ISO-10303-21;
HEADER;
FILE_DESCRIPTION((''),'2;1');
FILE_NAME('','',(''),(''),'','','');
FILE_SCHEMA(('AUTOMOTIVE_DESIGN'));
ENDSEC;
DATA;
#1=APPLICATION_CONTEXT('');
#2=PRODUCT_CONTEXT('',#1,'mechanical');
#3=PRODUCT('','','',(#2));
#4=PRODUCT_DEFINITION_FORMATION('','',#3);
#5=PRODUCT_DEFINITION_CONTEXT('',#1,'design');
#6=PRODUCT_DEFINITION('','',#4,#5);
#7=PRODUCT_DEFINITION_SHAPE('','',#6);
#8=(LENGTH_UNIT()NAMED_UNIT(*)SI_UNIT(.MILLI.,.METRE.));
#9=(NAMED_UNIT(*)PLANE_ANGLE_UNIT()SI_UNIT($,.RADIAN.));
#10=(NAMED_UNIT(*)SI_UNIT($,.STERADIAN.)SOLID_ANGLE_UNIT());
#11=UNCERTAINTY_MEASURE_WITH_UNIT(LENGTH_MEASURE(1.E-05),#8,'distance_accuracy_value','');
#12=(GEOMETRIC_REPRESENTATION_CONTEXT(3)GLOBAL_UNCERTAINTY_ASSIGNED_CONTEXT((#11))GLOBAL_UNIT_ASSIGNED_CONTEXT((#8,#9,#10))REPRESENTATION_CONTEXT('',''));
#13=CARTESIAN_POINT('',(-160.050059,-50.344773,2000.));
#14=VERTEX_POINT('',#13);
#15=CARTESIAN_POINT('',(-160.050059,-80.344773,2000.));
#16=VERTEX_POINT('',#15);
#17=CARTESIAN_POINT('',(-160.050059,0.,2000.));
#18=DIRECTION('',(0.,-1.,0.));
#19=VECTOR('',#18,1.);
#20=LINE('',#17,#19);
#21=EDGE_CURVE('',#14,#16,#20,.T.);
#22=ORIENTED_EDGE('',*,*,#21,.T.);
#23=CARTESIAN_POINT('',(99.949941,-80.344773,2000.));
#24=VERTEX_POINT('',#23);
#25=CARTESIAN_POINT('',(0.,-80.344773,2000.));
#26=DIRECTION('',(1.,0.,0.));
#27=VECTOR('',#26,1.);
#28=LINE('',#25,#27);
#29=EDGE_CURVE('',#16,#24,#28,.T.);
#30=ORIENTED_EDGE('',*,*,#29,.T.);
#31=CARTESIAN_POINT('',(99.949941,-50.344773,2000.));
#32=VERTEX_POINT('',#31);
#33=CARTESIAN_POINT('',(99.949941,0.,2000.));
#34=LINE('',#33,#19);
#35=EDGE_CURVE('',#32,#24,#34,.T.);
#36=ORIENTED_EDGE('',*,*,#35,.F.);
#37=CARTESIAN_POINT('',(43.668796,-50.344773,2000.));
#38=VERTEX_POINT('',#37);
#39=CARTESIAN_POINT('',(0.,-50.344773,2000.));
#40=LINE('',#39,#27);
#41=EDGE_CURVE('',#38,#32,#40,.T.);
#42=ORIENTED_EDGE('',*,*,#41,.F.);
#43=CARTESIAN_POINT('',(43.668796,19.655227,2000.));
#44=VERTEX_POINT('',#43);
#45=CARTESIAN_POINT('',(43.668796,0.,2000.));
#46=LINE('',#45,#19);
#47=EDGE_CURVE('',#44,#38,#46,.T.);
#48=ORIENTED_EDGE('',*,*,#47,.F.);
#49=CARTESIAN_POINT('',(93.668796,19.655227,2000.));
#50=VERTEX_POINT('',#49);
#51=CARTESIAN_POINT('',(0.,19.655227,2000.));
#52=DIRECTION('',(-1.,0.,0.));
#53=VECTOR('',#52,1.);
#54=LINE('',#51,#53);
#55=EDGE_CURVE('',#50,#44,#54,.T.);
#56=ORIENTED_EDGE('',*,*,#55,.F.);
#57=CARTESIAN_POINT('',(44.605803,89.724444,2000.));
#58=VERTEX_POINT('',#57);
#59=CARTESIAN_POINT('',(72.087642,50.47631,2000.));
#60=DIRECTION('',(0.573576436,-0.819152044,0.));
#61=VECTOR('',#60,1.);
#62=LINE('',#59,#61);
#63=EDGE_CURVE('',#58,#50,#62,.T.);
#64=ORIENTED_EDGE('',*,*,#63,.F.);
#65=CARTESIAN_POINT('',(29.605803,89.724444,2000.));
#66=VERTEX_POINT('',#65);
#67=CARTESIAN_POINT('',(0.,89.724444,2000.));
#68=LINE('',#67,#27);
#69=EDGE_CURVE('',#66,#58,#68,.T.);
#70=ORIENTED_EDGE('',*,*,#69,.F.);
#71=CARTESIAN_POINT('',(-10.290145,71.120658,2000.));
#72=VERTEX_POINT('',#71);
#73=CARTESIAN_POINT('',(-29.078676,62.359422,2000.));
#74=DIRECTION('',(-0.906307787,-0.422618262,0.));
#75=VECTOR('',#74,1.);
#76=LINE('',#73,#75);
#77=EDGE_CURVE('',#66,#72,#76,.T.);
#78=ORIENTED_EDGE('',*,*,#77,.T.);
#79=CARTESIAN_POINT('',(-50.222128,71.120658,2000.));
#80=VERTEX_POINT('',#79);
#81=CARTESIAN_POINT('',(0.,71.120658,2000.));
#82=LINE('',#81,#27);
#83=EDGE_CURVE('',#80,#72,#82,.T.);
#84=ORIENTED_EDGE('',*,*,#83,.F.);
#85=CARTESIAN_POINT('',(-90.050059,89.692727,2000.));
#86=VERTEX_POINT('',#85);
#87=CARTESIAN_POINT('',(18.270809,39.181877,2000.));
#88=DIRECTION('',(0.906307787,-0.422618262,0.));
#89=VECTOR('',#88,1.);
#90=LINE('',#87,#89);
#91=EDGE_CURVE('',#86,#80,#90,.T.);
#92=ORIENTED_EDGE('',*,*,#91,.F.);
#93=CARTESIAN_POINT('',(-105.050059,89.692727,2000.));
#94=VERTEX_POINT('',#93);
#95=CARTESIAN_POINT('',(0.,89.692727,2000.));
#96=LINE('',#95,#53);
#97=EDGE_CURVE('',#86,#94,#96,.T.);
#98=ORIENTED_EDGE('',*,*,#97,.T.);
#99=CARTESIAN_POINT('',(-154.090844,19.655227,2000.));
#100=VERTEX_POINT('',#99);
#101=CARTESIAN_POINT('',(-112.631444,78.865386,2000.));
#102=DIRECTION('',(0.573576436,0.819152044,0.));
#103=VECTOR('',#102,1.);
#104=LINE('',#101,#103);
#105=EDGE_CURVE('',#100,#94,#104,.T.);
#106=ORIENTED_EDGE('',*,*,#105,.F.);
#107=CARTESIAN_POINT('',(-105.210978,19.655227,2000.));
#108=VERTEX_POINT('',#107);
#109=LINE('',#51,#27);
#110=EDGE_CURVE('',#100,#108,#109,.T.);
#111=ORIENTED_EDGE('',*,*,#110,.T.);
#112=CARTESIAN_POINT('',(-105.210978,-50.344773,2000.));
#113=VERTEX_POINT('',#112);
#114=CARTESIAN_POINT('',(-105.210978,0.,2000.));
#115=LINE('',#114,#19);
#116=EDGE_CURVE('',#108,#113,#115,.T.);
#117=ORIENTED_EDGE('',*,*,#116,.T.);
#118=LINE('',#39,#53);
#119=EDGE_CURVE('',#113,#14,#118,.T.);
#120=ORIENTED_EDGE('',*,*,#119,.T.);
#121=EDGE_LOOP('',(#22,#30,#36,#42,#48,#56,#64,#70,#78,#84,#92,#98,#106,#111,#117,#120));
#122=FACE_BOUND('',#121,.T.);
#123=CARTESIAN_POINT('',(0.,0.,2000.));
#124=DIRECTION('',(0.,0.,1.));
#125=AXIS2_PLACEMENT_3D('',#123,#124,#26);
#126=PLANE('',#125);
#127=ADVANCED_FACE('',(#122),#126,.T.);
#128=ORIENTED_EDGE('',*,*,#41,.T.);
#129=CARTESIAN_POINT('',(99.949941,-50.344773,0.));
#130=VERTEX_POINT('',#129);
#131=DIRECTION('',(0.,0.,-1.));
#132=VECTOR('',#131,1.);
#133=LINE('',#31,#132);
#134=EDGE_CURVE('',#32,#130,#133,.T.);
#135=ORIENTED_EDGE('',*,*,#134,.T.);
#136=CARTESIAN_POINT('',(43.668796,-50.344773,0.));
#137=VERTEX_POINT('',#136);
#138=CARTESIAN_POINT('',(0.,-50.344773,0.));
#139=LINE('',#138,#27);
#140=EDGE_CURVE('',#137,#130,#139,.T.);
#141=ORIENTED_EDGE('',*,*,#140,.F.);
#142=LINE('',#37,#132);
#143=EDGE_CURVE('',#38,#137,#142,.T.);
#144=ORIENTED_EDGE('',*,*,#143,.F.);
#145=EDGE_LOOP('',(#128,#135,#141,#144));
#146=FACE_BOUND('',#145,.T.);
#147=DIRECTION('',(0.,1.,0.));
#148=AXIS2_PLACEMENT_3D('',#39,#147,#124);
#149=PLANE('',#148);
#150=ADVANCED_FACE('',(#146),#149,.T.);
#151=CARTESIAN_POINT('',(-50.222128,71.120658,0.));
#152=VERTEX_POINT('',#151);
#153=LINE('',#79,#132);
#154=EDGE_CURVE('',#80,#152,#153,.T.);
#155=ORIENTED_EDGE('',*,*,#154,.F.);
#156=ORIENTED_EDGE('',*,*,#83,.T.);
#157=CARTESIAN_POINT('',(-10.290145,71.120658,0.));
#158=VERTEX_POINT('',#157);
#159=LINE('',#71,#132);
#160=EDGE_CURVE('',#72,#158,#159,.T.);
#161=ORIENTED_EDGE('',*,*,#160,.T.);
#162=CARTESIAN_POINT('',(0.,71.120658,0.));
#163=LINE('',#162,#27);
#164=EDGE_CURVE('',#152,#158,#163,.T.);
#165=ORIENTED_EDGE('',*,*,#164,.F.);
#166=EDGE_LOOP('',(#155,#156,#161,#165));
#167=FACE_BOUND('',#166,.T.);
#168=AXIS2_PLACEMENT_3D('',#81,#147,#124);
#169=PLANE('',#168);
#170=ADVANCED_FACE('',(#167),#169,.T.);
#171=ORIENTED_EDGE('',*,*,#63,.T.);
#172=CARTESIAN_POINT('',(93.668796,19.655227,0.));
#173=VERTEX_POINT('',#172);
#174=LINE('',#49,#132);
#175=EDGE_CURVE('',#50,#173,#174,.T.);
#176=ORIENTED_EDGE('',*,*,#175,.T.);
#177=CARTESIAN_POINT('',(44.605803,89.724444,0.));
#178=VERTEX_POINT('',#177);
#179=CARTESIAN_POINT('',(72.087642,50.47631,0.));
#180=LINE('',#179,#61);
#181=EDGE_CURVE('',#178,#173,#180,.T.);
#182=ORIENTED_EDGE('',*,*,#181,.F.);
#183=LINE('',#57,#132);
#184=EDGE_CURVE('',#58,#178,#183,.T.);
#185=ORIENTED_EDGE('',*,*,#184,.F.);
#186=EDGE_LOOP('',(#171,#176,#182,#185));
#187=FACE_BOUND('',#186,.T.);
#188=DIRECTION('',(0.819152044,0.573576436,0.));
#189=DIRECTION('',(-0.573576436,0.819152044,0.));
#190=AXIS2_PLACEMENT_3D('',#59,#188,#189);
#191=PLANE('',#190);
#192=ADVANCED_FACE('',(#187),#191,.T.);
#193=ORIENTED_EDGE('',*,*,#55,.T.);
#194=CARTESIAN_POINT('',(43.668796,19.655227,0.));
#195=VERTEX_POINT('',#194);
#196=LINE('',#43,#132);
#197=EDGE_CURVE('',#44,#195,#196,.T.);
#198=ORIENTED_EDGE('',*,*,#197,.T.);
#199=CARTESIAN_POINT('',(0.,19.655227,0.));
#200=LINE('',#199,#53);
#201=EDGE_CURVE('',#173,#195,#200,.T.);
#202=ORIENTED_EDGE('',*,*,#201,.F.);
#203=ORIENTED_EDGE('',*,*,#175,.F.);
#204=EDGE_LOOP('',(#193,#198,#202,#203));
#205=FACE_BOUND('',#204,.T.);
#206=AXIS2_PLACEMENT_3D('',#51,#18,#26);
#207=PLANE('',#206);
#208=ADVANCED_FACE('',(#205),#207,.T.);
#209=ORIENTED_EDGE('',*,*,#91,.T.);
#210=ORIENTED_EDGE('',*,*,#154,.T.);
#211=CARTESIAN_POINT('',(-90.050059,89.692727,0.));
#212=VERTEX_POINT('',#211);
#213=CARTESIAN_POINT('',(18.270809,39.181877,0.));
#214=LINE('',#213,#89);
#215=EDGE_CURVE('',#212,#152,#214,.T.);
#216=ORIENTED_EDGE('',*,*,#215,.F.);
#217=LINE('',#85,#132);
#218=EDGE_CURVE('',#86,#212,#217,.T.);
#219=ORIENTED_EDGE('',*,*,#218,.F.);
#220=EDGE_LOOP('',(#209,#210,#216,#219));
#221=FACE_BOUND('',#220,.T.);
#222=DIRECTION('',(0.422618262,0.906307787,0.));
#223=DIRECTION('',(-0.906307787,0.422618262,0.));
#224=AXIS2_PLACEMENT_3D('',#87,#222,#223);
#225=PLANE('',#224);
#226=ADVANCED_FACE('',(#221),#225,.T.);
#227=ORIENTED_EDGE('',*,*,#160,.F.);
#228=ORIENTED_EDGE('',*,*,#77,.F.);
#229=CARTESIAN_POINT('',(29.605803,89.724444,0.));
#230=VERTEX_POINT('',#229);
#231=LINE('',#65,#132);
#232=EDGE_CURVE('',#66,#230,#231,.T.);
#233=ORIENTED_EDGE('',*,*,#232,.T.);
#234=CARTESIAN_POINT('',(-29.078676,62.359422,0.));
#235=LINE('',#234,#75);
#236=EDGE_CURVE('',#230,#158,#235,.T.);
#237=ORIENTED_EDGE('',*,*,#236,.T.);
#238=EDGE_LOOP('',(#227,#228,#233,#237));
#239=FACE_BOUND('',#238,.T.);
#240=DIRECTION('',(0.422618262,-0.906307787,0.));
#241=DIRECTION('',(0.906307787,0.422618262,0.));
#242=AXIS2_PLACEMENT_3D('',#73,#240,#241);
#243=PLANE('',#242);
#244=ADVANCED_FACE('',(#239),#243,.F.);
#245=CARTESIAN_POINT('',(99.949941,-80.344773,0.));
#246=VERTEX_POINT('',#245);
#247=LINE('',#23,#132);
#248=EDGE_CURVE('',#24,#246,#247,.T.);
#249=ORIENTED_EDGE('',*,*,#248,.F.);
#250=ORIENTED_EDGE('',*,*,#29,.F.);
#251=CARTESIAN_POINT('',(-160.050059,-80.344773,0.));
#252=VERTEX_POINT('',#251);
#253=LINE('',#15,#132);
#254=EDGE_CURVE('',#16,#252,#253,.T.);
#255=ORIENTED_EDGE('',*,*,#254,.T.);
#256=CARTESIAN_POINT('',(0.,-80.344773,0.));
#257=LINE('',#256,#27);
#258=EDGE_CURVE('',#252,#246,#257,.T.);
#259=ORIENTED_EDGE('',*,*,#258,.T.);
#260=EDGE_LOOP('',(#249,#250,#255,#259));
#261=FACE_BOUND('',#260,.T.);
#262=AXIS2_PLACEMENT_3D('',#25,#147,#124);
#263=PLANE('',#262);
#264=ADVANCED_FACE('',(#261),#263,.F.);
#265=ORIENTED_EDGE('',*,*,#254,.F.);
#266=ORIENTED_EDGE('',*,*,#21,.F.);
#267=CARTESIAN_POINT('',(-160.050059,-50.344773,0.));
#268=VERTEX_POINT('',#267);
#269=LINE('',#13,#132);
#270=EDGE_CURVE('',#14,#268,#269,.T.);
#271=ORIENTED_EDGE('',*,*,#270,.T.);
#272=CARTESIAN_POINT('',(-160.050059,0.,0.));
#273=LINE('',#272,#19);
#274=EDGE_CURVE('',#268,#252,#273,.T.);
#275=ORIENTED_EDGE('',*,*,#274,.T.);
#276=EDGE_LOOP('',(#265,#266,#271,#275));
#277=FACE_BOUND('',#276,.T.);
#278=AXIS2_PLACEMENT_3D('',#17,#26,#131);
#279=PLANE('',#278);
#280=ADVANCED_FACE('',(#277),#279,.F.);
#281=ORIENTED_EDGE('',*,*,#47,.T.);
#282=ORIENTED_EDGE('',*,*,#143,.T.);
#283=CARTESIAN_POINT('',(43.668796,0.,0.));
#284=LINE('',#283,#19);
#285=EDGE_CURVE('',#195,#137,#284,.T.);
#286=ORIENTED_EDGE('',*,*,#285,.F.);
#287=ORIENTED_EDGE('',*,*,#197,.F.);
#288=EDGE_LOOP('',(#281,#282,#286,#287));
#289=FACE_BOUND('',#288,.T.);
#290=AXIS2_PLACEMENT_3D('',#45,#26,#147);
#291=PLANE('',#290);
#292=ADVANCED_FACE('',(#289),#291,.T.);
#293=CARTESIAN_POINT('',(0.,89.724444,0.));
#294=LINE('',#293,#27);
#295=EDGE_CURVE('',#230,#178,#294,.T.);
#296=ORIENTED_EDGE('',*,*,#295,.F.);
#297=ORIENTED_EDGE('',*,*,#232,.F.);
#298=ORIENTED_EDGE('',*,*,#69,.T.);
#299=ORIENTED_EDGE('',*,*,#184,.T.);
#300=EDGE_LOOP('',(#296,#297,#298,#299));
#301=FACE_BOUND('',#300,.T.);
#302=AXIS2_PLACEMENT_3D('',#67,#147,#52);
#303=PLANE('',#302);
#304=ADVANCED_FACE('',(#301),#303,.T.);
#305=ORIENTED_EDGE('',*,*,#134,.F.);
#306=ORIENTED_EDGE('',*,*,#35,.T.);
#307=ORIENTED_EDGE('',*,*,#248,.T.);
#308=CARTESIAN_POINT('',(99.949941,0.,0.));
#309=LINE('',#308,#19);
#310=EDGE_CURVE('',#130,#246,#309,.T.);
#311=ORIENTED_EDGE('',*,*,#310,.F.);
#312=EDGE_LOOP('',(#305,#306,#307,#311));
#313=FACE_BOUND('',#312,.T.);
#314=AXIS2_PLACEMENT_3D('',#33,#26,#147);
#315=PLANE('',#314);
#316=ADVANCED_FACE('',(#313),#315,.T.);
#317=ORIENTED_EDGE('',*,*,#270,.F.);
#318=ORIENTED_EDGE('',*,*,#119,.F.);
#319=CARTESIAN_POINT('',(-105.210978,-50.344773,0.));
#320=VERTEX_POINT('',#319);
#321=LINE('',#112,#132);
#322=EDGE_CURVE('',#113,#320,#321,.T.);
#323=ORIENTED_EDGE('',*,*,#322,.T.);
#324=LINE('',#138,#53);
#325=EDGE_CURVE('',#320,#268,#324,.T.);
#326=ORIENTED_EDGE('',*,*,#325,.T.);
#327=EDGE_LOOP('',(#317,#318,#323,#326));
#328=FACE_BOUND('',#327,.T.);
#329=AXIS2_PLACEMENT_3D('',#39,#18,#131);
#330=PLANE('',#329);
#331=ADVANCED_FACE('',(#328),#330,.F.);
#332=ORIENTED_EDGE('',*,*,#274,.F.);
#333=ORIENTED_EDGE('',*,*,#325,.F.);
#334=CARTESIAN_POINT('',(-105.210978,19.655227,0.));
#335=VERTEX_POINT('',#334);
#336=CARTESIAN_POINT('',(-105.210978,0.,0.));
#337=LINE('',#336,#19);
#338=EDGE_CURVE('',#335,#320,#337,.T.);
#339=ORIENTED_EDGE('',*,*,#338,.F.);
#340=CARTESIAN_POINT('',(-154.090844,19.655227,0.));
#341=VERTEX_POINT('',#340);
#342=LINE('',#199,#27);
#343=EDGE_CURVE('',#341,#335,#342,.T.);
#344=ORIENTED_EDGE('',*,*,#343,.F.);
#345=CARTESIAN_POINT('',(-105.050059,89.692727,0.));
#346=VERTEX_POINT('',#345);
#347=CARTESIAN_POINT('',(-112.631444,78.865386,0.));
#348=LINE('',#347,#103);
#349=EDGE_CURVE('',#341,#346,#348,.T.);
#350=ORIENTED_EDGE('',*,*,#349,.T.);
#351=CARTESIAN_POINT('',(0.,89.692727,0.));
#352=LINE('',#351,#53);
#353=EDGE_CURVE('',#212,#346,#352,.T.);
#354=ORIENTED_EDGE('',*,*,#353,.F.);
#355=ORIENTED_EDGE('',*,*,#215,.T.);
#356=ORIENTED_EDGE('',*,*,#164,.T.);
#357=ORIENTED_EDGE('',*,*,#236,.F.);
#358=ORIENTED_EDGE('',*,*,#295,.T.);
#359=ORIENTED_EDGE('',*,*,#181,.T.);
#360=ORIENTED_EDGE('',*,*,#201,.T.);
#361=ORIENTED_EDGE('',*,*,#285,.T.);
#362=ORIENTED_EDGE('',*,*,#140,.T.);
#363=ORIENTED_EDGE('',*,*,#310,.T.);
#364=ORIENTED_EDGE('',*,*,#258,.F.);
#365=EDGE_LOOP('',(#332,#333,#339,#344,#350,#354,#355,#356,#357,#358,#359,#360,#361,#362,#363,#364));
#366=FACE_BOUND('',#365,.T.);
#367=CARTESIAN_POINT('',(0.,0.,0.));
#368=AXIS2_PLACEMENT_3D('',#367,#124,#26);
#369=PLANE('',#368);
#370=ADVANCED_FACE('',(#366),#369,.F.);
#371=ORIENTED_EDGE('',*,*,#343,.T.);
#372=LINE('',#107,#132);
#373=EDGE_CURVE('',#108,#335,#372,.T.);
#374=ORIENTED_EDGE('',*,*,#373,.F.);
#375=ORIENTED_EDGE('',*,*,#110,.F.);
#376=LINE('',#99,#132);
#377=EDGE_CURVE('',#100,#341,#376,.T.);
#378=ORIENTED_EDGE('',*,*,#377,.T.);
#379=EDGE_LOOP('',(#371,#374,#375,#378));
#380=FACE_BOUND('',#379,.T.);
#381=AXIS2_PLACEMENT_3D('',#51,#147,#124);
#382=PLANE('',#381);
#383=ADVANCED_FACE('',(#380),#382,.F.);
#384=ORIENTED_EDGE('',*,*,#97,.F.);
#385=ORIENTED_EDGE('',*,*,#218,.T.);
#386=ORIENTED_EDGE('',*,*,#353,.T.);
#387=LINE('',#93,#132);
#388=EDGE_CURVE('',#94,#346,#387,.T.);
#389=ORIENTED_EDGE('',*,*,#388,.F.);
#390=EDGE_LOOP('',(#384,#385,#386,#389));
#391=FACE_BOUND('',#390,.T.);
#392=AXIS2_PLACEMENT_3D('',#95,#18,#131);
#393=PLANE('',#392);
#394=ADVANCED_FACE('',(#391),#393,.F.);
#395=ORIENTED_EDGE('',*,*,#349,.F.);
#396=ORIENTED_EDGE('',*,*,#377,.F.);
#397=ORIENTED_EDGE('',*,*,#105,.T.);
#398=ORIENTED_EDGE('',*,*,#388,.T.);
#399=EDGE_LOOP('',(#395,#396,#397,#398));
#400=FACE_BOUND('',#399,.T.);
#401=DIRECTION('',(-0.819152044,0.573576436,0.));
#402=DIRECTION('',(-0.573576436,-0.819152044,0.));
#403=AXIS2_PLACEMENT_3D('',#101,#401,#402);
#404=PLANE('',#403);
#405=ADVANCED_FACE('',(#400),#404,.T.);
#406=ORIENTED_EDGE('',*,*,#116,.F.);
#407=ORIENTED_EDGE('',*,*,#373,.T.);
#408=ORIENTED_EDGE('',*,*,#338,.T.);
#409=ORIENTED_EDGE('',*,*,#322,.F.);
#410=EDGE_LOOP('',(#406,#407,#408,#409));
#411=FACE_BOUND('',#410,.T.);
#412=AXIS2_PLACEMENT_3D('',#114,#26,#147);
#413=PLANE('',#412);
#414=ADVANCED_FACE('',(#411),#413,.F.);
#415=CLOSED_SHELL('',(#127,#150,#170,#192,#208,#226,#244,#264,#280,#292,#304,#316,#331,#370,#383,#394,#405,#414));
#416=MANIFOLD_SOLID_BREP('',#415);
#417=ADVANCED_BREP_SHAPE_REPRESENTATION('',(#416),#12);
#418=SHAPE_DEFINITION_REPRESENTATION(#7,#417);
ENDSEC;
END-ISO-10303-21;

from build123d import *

# Parameters (mm, degrees)
BOSS_EXTRUDE3_DEPTH = 2000


with BuildPart() as part:
    # Sketch2 → Boss-Extrude3 (new body)
    with BuildSketch(Plane.XY):
        Polygon((-50.222128044, 71.120657772), (-90.050058891, 89.692726934), (-105.050058891, 89.692726934), (-154.090844199, 19.655227147), (-105.210977603, 19.655227147), (-105.210977603, 14.334338285), (-105.210977603, -50.344772853), (-160.050058891, -50.344772853), (-160.050058891, -59.624830396), (-160.050058891, -80.344772853), (99.949941109, -80.344772853), (99.949941109, -50.344772853), (43.668796434, -50.344772853), (43.668796434, 19.655227147), (93.668796434, 19.655227147), (44.605802804, 89.724443705), (29.605802804, 89.724443705), (-10.290144877, 71.120657772), align=None)
    extrude(amount=BOSS_EXTRUDE3_DEPTH)


solid = part.part
